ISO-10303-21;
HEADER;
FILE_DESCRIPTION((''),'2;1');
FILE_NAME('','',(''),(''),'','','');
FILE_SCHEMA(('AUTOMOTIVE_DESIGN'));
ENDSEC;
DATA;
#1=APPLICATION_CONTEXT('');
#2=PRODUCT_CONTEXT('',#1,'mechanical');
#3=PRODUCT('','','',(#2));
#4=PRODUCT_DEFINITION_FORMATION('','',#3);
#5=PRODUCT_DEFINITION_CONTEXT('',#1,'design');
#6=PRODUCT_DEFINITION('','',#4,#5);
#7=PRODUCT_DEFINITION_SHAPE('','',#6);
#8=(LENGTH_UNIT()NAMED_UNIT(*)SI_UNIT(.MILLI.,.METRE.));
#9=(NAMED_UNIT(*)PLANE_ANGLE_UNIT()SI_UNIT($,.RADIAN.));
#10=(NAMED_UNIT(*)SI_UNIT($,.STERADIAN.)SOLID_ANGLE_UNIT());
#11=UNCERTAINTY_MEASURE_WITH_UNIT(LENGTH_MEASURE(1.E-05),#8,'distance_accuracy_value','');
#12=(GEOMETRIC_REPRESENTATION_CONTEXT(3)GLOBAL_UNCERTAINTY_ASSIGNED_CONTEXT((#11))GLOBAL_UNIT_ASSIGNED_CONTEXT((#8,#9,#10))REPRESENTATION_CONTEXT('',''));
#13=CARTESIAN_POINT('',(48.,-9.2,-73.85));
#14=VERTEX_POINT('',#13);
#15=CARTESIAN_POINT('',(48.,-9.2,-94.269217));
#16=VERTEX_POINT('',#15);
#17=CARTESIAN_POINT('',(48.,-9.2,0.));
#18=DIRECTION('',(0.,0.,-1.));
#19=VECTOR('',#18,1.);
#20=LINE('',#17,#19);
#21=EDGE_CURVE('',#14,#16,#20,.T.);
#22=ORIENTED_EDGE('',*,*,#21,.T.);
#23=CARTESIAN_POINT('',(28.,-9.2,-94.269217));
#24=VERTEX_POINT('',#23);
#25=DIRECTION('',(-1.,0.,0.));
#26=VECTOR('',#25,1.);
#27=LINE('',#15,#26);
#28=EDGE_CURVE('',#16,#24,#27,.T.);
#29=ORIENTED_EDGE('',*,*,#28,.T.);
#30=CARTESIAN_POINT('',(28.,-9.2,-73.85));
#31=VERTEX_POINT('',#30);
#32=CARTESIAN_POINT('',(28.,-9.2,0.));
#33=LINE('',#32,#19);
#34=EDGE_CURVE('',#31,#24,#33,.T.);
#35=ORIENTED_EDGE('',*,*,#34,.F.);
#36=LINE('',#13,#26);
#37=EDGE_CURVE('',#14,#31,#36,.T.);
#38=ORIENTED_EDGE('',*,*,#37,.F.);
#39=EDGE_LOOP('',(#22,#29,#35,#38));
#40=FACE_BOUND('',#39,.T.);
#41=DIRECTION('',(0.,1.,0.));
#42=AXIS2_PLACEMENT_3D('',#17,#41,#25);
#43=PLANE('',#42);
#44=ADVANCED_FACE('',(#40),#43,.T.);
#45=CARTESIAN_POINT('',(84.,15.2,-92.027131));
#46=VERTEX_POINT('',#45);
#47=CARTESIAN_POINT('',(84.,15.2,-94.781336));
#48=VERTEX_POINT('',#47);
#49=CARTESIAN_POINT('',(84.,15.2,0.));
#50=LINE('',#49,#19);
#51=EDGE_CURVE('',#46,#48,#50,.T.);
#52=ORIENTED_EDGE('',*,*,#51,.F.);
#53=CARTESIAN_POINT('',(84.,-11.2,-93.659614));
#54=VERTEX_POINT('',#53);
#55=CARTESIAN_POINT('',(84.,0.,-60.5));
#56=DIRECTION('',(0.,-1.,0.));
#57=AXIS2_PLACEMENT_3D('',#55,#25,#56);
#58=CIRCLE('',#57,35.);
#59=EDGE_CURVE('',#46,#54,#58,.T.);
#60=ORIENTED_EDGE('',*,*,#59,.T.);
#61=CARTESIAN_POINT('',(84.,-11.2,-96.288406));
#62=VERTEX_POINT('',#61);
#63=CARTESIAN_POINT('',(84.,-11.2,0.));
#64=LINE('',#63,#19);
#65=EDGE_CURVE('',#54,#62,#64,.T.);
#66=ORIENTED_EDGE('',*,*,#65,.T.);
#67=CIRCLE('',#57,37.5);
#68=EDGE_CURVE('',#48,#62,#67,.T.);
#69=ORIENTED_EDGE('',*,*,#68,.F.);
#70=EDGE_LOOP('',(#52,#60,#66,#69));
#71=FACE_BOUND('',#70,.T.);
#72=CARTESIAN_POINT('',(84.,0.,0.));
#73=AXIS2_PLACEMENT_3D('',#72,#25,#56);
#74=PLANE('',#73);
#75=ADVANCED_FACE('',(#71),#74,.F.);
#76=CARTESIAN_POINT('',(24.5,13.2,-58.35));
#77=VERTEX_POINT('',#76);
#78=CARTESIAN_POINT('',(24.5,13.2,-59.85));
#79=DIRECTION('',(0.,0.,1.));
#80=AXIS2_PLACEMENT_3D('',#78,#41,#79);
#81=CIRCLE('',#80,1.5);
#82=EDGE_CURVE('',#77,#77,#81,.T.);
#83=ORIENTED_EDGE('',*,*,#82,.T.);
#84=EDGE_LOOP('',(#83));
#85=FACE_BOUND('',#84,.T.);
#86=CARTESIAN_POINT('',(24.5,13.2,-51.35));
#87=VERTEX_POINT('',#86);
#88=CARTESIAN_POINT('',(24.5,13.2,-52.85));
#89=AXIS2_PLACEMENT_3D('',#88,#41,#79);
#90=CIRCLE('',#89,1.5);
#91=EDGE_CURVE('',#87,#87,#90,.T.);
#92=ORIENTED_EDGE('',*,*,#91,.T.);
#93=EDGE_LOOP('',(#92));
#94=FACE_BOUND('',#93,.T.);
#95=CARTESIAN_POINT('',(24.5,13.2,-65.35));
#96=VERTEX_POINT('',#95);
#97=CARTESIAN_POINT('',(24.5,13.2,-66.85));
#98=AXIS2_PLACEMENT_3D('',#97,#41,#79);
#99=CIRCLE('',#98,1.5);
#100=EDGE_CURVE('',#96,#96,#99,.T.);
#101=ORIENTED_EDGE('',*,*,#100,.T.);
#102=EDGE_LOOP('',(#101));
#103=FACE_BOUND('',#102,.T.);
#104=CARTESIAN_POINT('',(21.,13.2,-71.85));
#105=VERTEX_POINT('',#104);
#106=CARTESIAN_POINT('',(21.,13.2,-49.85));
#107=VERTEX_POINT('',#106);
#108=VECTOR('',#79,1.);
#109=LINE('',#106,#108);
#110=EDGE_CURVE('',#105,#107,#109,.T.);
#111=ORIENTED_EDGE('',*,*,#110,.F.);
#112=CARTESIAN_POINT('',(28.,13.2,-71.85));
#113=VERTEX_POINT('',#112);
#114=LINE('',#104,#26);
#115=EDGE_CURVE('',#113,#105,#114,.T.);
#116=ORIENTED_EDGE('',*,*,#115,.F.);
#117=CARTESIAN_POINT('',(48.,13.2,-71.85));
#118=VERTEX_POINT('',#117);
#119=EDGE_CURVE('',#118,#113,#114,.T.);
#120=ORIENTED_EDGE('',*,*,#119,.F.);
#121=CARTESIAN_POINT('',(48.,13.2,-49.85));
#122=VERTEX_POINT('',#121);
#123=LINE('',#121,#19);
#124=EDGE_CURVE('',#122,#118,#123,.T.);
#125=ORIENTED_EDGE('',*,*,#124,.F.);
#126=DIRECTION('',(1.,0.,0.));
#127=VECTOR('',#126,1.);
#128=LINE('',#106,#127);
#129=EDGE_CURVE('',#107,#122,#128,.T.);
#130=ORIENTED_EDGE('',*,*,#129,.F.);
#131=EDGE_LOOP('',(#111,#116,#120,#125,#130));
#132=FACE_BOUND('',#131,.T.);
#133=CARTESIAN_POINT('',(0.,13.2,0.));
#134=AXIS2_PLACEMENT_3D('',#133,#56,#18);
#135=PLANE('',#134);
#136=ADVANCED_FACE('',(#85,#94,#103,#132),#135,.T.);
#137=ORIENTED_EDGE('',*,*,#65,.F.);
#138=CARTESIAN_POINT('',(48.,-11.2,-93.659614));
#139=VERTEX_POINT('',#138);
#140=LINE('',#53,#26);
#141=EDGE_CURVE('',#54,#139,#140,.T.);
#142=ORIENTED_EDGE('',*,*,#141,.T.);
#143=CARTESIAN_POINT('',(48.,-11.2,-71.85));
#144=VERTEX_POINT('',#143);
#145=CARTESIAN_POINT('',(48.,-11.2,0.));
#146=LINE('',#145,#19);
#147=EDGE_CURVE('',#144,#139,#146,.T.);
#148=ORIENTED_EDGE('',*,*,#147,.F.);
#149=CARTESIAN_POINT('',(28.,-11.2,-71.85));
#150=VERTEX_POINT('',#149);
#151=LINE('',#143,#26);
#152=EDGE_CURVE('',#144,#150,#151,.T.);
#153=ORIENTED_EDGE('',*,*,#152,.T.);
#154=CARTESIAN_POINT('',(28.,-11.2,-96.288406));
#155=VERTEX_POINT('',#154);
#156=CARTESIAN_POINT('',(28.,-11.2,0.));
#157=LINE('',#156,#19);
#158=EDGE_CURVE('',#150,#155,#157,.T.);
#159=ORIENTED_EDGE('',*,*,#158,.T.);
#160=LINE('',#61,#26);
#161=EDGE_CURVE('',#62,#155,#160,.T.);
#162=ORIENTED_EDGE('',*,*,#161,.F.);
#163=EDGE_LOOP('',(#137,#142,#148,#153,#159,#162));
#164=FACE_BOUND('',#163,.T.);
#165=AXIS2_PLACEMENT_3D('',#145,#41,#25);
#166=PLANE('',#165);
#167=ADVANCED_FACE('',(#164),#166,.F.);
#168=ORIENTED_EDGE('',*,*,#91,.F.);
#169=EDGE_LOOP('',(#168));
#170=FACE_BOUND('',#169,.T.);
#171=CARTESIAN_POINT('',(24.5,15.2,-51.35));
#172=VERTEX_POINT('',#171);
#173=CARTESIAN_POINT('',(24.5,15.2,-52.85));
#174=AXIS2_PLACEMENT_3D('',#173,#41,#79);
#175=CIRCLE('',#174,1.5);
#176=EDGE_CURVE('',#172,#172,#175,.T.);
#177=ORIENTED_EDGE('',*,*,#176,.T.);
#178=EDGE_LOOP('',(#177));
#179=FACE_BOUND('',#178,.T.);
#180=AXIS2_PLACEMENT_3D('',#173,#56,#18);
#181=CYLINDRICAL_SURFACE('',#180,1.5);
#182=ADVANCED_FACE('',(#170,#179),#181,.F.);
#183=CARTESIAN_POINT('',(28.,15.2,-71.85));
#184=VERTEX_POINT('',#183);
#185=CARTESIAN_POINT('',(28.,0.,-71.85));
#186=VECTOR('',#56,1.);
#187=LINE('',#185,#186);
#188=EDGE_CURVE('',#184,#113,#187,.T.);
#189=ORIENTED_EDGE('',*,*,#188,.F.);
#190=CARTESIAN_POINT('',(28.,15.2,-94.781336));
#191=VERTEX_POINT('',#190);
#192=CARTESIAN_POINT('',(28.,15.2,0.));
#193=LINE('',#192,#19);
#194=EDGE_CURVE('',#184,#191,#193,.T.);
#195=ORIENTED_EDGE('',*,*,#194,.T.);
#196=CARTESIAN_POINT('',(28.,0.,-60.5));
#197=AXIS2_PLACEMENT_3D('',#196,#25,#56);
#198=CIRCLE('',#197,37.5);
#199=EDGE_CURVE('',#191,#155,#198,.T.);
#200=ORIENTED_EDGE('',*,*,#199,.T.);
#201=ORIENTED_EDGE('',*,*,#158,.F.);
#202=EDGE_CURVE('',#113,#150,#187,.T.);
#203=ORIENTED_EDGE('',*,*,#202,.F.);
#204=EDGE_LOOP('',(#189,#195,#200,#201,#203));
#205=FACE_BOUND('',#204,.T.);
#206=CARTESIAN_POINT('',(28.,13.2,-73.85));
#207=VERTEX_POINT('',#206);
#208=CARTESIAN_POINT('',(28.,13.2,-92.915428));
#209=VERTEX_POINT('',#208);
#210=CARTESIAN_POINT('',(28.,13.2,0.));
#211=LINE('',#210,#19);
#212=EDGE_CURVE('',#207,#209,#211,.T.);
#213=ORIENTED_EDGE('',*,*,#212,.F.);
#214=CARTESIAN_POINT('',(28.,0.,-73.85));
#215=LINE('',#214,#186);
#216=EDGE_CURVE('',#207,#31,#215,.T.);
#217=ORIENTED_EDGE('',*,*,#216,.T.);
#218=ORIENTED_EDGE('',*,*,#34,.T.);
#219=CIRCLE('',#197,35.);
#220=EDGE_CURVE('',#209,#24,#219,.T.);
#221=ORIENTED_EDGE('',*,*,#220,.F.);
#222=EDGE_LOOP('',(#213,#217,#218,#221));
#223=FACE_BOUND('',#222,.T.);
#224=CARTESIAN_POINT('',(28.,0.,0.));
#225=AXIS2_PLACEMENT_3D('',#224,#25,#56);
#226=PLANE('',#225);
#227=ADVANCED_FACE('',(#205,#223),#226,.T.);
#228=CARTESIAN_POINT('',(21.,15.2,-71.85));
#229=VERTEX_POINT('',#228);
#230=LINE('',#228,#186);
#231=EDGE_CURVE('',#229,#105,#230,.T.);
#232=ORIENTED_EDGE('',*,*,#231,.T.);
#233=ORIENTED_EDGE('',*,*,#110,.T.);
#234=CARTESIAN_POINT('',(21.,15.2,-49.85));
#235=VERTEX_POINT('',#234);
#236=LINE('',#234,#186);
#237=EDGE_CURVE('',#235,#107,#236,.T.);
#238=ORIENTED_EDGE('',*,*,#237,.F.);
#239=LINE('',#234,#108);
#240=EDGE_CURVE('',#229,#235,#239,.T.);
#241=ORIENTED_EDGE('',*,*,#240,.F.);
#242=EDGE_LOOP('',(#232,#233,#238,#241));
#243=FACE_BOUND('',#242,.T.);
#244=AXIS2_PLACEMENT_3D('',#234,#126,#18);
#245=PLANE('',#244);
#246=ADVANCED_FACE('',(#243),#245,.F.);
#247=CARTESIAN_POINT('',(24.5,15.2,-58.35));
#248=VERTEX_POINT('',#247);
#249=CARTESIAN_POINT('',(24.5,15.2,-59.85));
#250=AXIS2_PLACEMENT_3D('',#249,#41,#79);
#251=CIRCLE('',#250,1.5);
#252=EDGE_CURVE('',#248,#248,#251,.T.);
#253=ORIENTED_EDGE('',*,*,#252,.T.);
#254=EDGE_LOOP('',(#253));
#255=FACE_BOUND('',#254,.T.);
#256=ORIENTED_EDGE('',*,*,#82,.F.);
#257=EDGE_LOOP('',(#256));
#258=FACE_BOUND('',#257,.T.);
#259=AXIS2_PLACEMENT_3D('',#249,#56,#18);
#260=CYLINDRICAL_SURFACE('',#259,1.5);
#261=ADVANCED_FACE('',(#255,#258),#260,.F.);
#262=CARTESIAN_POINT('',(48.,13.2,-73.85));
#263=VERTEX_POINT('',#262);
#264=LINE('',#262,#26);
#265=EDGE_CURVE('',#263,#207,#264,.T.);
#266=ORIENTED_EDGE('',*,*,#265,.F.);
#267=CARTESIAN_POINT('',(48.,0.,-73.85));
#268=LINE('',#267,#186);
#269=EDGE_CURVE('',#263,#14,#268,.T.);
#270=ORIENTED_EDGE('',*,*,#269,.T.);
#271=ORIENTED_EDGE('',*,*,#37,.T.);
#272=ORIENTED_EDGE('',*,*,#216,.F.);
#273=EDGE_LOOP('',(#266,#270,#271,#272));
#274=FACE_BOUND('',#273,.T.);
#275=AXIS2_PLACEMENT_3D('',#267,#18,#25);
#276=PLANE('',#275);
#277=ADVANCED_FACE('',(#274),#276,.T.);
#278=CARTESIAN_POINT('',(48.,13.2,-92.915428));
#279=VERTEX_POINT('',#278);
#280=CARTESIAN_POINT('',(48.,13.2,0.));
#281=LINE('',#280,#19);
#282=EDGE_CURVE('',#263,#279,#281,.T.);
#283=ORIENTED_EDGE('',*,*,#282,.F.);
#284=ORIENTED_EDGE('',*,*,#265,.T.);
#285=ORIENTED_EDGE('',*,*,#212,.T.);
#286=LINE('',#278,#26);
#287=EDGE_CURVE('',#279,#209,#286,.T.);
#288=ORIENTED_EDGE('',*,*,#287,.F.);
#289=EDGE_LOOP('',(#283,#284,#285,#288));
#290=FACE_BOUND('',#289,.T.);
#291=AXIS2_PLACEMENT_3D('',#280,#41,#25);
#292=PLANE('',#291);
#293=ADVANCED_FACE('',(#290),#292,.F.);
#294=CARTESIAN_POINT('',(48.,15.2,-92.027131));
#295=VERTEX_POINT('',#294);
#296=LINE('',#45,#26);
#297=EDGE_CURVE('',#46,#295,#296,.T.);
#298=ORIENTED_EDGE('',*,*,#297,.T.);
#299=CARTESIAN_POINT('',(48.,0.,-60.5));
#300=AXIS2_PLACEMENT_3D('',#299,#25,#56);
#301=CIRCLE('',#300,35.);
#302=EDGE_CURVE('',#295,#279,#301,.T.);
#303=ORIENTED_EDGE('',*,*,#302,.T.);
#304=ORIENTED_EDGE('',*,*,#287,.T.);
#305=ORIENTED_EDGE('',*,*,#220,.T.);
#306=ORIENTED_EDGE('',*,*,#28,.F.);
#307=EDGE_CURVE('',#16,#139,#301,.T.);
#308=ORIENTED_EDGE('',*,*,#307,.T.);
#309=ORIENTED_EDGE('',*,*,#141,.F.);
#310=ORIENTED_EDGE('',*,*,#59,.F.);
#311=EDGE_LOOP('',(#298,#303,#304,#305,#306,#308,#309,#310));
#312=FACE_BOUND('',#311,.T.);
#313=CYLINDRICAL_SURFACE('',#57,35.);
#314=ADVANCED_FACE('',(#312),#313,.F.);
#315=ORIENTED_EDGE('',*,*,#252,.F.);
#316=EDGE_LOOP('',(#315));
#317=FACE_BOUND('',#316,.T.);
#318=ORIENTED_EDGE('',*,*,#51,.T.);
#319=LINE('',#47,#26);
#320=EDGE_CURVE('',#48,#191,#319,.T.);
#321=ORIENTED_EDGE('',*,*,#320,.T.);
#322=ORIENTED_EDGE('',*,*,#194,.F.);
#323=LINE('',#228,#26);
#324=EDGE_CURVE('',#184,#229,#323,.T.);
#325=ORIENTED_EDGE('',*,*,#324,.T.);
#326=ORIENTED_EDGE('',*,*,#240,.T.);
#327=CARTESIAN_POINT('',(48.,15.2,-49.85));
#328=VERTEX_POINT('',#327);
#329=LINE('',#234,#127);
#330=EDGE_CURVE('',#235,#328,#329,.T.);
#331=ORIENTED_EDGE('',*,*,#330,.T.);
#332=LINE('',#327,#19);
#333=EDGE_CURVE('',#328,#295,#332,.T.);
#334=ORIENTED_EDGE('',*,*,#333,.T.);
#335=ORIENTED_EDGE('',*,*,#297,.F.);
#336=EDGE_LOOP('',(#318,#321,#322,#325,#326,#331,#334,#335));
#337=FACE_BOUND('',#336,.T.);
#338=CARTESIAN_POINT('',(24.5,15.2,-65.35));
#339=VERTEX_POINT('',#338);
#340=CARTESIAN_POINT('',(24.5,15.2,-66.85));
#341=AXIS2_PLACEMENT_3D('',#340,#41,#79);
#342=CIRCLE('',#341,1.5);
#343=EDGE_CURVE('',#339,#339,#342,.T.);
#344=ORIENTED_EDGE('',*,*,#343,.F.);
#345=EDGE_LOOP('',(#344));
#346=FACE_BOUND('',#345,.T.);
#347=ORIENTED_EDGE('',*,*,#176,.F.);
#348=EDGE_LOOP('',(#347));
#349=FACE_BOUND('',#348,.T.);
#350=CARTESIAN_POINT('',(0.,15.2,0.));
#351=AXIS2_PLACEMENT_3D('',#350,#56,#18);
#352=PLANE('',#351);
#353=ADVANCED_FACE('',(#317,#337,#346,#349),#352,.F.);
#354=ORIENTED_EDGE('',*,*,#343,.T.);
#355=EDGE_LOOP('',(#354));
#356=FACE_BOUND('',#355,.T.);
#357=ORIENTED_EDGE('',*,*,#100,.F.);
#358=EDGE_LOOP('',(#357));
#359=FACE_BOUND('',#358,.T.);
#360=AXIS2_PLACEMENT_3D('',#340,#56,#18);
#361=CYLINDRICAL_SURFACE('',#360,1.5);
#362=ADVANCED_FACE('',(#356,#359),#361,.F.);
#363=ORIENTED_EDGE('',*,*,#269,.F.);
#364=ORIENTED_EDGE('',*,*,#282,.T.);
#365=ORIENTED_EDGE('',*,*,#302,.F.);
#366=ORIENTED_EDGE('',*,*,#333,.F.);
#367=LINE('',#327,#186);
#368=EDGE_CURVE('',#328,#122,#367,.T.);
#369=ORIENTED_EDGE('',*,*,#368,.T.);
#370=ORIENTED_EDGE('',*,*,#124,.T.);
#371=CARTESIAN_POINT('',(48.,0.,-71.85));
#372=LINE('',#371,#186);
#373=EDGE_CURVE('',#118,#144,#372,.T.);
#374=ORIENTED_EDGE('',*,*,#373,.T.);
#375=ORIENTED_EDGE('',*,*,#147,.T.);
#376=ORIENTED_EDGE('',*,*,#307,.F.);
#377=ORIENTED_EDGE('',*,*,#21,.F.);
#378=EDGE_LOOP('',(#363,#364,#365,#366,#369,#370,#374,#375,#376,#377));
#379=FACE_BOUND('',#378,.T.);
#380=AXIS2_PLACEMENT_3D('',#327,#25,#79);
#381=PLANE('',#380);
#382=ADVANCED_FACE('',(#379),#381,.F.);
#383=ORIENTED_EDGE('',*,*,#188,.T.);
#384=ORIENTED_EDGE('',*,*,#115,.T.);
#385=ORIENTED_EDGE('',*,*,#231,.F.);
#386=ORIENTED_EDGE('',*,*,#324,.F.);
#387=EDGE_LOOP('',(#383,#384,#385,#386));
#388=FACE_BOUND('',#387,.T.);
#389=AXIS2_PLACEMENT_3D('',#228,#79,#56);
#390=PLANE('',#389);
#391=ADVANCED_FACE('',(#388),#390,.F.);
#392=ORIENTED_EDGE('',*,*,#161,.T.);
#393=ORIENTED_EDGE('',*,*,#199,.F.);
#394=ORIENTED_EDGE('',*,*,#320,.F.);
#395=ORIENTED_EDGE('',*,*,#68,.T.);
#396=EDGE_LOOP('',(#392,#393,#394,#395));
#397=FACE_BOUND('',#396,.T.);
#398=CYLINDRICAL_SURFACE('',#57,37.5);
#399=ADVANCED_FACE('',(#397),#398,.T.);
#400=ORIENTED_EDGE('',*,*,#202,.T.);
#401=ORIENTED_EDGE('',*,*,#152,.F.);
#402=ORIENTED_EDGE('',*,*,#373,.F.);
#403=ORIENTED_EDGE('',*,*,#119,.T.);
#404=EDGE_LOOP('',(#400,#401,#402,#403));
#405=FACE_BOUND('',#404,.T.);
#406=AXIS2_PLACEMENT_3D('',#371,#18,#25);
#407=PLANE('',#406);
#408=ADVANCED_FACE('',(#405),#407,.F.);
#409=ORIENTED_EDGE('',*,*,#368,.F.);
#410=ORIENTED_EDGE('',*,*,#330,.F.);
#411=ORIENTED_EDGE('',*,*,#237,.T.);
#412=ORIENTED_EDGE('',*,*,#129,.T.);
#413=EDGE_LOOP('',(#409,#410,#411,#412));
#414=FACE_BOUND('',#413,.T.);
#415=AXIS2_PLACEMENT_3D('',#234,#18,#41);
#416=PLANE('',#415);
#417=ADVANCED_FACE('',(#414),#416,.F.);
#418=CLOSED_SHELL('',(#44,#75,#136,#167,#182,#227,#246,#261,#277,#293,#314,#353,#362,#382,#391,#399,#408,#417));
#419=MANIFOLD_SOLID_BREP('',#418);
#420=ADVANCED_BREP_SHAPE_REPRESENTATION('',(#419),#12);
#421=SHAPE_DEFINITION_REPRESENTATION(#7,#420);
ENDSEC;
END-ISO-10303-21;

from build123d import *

# Parameters (mm, degrees)
SKETCH3_W           = 27
SKETCH3_H           = 22
SKETCH3_R           = 1.5
BOSS_EXTRUDE5_DEPTH = 2
BOSS_EXTRUDE6_DEPTH = 20
BOSS_EXTRUDE7_DEPTH = 56


with BuildPart() as part:
    # Sketch3 → Boss-Extrude5 (new body)
    with BuildSketch(Plane(origin=(0, 13.2, 0), x_dir=(1, 0, 0), z_dir=(0, 1, 0))):
        with Locations((34.5, 60.85)):
            Rectangle(SKETCH3_W, SKETCH3_H)
        with Locations((24.5, 59.85)):
            Circle(SKETCH3_R, mode=Mode.SUBTRACT)
        with Locations((24.5, 66.85)):
            Circle(SKETCH3_R, mode=Mode.SUBTRACT)
        with Locations((24.5, 52.85)):
            Circle(SKETCH3_R, mode=Mode.SUBTRACT)
    extrude(amount=BOSS_EXTRUDE5_DEPTH)

    # Sketch4 → Boss-Extrude6 (add)
    with BuildSketch(Plane.ZY.offset(-28)):
        with BuildLine():
            Line((-71.85, -11.2), (-71.85, 15.2))
            Line((-71.85, 15.2), (-92.027131173, 15.2))
            ThreePointArc((-92.027131173, 15.2), (-92.486915012, 14.206944358), (-92.915428425, 13.2))
            Line((-92.915428425, 13.2), (-73.85, 13.2))
            Line((-73.85, 13.2), (-73.85, -9.2))
            Line((-73.85, -9.2), (-94.269216751, -9.2))
            ThreePointArc((-94.269216751, -9.2), (-93.979353281, -10.204553096), (-93.659613991, -11.2))
            Line((-93.659613991, -11.2), (-71.85, -11.2))
        make_face()
    extrude(amount=-BOSS_EXTRUDE6_DEPTH)

    # Sketch4<3> → Boss-Extrude7 (add)
    with BuildSketch(Plane.ZY.offset(-28)):
        with BuildLine():
            ThreePointArc((-92.915428425, 13.2), (-92.486915012, 14.206944358), (-92.027131173, 15.2))
            Line((-92.027131173, 15.2), (-94.78133603, 15.2))
            ThreePointArc((-94.78133603, 15.2), (-97.939046263, 2.137244706), (-96.288405944, -11.2))
            Line((-96.288405944, -11.2), (-93.659613991, -11.2))
            ThreePointArc((-93.659613991, -11.2), (-93.979353281, -10.204553096), (-94.269216751, -9.2))
            ThreePointArc((-94.269216751, -9.2), (-95.436253581, 2.111441618), (-92.915428425, 13.2))
        make_face()
    extrude(amount=-BOSS_EXTRUDE7_DEPTH)


solid = part.part
